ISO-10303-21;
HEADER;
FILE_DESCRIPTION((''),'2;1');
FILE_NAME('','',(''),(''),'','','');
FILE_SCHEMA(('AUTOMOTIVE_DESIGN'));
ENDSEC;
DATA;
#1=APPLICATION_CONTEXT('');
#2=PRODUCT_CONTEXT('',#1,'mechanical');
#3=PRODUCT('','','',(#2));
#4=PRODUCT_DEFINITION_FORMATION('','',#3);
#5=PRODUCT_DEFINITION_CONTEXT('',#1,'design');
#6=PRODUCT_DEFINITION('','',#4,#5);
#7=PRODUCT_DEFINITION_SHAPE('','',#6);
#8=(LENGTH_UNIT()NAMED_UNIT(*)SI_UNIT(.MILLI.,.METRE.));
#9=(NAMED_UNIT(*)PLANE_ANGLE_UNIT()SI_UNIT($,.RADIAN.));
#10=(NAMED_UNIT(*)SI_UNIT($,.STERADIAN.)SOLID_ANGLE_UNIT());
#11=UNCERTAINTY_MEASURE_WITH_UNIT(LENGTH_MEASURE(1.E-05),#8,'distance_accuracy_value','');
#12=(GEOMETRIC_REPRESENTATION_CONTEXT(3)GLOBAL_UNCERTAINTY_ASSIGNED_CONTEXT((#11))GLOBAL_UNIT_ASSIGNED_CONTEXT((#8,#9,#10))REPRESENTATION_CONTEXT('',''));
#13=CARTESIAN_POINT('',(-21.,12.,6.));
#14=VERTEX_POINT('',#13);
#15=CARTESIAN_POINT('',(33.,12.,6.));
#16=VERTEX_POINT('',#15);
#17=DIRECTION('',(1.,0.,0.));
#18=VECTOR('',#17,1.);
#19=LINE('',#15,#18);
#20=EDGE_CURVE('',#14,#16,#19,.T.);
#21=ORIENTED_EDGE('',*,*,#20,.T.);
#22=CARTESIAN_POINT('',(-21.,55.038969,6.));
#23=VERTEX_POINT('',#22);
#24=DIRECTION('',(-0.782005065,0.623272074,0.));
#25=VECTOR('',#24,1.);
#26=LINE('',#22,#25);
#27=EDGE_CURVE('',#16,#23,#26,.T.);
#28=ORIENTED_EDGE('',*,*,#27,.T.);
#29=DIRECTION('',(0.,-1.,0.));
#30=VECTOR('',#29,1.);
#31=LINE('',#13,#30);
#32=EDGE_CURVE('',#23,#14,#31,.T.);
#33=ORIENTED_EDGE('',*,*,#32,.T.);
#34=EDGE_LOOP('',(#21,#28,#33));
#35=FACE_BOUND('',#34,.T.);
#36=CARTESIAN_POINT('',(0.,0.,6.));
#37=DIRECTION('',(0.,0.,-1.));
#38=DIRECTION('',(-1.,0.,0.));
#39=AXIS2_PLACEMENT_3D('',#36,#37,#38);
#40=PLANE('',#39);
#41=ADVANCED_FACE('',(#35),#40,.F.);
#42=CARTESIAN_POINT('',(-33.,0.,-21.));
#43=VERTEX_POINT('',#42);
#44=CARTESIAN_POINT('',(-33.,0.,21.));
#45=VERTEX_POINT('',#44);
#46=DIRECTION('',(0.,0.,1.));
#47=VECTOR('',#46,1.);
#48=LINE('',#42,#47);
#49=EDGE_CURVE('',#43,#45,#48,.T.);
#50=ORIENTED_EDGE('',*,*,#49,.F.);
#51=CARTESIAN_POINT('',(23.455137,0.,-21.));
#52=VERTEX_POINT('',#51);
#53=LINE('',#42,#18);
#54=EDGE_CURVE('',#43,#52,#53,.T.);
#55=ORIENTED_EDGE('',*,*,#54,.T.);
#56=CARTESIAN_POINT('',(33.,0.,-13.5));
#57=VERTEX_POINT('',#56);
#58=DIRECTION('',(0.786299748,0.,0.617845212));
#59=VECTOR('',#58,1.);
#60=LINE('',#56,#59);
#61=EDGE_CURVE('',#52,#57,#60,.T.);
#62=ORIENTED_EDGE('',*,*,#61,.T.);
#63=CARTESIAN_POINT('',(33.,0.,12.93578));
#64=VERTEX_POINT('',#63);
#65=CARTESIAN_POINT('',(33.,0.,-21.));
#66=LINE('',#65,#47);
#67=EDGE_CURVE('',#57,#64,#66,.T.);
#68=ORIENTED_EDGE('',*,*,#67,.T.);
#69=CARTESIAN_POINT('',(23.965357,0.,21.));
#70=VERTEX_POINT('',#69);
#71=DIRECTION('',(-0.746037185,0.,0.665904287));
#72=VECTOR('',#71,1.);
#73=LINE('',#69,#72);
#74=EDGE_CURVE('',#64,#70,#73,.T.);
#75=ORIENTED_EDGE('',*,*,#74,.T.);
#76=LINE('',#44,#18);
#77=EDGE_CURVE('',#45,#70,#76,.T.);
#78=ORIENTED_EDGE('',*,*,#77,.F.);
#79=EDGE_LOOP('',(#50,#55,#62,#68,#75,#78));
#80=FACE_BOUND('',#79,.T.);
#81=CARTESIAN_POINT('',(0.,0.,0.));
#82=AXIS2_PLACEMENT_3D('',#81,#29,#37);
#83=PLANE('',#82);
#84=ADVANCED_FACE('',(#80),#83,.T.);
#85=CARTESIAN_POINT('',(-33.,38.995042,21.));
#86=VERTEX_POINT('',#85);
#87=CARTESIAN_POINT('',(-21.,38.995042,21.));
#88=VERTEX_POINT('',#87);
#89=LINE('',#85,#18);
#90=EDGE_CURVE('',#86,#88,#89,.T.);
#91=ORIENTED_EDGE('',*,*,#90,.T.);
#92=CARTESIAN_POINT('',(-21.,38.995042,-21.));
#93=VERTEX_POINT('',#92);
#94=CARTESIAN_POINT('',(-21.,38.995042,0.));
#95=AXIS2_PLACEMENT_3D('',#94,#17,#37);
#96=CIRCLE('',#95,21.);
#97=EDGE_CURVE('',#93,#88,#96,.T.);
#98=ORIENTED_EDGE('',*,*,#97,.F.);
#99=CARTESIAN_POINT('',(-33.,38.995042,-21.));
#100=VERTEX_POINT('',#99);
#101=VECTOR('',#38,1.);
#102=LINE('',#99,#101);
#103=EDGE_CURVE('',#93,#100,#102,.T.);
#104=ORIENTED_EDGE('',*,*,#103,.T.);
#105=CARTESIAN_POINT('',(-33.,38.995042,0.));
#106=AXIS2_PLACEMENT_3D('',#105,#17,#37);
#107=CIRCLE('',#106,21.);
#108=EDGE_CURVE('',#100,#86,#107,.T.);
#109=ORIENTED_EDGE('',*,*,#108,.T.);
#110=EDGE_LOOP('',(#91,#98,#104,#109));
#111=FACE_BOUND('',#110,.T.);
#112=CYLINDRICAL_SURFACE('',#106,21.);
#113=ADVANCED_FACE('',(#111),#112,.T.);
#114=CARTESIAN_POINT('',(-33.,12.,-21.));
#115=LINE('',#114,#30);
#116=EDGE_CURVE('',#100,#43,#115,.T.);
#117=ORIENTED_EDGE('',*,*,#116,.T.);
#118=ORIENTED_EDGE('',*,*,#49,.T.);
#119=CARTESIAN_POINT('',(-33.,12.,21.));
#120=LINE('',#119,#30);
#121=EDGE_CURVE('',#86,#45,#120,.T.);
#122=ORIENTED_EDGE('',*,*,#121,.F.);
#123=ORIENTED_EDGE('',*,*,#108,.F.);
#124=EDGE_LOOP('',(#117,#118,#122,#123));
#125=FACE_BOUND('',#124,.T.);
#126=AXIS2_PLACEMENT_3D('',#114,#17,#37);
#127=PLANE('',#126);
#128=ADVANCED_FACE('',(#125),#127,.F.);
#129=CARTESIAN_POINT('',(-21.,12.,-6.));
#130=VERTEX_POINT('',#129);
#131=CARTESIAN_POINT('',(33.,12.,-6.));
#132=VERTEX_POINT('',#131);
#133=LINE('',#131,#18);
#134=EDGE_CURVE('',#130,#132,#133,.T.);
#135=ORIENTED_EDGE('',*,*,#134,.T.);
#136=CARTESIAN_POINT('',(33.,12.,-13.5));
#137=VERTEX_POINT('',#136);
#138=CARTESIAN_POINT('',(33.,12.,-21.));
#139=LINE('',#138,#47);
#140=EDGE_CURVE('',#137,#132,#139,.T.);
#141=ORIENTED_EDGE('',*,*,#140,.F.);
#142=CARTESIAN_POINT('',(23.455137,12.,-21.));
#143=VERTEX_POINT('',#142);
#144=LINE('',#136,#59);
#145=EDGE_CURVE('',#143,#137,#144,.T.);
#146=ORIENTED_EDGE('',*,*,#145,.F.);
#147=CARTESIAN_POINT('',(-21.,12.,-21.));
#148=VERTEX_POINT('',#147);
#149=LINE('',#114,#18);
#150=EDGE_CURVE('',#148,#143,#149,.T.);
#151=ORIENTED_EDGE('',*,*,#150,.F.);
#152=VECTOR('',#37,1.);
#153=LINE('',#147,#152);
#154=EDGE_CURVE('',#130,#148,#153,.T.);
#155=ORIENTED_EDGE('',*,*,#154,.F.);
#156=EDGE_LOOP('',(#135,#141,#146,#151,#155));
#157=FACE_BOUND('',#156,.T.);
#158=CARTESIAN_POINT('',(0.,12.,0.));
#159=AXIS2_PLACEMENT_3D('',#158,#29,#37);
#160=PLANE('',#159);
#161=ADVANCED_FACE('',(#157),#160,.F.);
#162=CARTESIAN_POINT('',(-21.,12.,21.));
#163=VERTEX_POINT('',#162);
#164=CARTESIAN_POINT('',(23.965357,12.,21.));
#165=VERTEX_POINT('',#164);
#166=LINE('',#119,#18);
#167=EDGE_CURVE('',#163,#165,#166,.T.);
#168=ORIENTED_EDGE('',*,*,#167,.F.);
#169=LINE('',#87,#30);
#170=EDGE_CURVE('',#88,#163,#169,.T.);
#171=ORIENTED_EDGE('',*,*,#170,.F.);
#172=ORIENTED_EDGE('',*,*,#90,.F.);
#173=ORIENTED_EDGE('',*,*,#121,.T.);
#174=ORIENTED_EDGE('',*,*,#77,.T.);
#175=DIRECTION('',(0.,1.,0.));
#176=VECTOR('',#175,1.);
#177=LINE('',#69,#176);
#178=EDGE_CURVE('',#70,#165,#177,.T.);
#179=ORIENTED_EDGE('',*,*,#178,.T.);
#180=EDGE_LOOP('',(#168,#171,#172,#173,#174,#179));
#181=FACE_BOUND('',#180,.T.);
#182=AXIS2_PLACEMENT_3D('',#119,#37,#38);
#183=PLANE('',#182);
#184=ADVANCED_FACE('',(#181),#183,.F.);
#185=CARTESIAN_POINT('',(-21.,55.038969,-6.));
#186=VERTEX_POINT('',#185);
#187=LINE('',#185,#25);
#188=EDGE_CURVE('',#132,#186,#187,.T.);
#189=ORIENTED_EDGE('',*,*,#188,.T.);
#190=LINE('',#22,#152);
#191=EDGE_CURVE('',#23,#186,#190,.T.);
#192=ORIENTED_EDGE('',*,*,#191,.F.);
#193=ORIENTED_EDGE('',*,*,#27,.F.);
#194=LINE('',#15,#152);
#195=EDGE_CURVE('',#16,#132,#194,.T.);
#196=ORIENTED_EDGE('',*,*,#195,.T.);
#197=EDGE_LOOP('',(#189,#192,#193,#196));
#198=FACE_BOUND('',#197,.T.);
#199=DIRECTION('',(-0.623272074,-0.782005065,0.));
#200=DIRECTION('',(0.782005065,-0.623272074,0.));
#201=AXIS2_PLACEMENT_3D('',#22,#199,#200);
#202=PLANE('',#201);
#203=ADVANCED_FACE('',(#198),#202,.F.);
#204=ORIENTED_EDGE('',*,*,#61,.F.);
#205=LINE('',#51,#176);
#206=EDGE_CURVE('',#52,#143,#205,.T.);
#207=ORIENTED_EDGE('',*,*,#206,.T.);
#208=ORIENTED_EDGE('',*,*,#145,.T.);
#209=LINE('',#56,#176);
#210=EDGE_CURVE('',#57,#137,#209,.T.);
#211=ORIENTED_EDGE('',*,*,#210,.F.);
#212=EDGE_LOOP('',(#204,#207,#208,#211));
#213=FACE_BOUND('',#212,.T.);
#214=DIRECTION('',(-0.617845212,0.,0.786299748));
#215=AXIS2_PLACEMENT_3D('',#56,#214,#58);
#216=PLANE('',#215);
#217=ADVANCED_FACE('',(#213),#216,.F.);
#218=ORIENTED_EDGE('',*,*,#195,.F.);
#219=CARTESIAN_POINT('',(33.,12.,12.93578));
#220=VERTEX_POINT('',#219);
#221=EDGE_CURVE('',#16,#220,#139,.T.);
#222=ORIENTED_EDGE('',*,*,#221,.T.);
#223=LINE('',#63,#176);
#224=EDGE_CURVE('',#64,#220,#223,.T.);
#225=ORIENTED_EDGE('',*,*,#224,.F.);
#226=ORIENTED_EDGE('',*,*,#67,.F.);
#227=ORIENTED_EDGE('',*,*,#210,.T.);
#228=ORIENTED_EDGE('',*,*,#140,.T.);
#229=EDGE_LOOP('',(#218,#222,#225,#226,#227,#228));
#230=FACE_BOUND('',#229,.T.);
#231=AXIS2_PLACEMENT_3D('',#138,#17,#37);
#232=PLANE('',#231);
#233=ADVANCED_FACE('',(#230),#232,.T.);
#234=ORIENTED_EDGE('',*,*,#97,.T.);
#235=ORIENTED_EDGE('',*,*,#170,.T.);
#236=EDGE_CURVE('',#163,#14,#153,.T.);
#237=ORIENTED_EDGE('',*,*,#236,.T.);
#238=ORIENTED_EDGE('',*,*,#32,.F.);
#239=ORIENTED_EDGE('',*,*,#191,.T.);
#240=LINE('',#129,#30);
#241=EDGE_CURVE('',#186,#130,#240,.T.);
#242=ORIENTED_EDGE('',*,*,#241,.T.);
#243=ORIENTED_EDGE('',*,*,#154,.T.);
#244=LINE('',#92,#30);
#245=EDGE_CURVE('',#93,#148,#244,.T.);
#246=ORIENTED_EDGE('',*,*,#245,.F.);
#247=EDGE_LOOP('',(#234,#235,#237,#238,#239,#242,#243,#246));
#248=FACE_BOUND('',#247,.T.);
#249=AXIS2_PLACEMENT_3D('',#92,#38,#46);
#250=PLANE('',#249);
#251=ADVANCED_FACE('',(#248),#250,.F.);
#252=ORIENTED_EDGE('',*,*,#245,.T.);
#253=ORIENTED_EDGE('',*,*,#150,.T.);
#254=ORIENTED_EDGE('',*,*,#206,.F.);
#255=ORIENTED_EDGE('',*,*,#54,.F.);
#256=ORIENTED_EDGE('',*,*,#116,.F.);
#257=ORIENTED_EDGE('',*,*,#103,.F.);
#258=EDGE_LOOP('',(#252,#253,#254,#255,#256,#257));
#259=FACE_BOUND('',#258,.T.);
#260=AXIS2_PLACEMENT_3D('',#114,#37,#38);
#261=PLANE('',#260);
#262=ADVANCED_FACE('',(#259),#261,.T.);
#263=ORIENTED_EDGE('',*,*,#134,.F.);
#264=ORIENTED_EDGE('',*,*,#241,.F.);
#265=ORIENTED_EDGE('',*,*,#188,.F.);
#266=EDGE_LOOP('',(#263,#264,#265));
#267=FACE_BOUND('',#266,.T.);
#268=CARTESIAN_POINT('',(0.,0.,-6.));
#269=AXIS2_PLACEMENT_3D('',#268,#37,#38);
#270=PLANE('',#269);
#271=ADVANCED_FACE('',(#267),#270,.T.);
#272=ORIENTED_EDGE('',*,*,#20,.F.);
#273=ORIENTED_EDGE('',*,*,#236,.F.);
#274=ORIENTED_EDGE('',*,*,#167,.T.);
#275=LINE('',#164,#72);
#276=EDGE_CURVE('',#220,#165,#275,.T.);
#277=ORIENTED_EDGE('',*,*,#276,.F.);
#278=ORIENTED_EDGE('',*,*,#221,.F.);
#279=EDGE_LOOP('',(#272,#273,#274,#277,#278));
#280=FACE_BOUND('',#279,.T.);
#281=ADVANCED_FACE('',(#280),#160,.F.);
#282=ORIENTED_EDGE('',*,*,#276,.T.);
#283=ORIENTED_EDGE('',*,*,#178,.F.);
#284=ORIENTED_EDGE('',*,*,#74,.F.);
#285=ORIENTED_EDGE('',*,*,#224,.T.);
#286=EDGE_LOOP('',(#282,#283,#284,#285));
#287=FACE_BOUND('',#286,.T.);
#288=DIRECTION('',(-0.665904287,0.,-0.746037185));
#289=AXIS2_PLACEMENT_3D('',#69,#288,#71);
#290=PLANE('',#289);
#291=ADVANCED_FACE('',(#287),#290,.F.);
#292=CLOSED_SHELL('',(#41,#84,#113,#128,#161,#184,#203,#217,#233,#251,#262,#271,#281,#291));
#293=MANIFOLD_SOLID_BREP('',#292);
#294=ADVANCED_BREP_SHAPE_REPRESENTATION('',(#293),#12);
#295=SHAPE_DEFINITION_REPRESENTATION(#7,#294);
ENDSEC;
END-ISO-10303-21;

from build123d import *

# Parameters (mm, degrees)
SKETCH1_W           = 66
SKETCH1_H           = 42
BOSS_EXTRUDE1_DEPTH = 12
SKETCH2_W           = 12
SKETCH2_H           = 42
BOSS_EXTRUDE2_DEPTH = 26.995042498
SKETCH4_R           = 21
BOSS_EXTRUDE8_DEPTH = 12
BOSS_EXTRUDE9_DEPTH = 6
CUT_EXTRUDE1_DEPTH  = 12


with BuildPart() as part:
    # Sketch1 → Boss-Extrude1 (new body)
    with BuildSketch(Plane(origin=(0, 0, 0), x_dir=(1, 0, 0), z_dir=(0, 1, 0))):
        Rectangle(SKETCH1_W, SKETCH1_H)
    extrude(amount=BOSS_EXTRUDE1_DEPTH)

    # Sketch2 → Boss-Extrude2 (add)
    with BuildSketch(Plane(origin=(0, 12, 0), x_dir=(1, 0, 0), z_dir=(0, 1, 0))):
        with Locations((-27, 0)):
            Rectangle(SKETCH2_W, SKETCH2_H)
    extrude(amount=BOSS_EXTRUDE2_DEPTH)

    # Sketch4 → Boss-Extrude8 (add)
    with BuildSketch(Plane(origin=(-21, 0, 0), x_dir=(0, 0, -1), z_dir=(1, 0, 0))):
        with Locations((0, 38.995042498)):
            Circle(SKETCH4_R)
    extrude(amount=-BOSS_EXTRUDE8_DEPTH)

    # Sketch8 → Boss-Extrude9 (add, symmetric)
    with BuildSketch(Plane.XY):
        Polygon((-21, 12), (-21, 55.038969321), (33, 12), align=None)
    extrude(amount=BOSS_EXTRUDE9_DEPTH, both=True)

    # Sketch12 → Cut-Extrude1 (cut)
    with BuildSketch(Plane(origin=(0, 12, 0), x_dir=(1, 0, 0), z_dir=(0, 1, 0))):
        Polygon((33, -12.935780303), (33, -21), (23.965356614, -21), align=None)
        Polygon((33, 13.5), (33, 21), (23.455136658, 21), align=None)
    extrude(amount=-CUT_EXTRUDE1_DEPTH, mode=Mode.SUBTRACT)


solid = part.part
